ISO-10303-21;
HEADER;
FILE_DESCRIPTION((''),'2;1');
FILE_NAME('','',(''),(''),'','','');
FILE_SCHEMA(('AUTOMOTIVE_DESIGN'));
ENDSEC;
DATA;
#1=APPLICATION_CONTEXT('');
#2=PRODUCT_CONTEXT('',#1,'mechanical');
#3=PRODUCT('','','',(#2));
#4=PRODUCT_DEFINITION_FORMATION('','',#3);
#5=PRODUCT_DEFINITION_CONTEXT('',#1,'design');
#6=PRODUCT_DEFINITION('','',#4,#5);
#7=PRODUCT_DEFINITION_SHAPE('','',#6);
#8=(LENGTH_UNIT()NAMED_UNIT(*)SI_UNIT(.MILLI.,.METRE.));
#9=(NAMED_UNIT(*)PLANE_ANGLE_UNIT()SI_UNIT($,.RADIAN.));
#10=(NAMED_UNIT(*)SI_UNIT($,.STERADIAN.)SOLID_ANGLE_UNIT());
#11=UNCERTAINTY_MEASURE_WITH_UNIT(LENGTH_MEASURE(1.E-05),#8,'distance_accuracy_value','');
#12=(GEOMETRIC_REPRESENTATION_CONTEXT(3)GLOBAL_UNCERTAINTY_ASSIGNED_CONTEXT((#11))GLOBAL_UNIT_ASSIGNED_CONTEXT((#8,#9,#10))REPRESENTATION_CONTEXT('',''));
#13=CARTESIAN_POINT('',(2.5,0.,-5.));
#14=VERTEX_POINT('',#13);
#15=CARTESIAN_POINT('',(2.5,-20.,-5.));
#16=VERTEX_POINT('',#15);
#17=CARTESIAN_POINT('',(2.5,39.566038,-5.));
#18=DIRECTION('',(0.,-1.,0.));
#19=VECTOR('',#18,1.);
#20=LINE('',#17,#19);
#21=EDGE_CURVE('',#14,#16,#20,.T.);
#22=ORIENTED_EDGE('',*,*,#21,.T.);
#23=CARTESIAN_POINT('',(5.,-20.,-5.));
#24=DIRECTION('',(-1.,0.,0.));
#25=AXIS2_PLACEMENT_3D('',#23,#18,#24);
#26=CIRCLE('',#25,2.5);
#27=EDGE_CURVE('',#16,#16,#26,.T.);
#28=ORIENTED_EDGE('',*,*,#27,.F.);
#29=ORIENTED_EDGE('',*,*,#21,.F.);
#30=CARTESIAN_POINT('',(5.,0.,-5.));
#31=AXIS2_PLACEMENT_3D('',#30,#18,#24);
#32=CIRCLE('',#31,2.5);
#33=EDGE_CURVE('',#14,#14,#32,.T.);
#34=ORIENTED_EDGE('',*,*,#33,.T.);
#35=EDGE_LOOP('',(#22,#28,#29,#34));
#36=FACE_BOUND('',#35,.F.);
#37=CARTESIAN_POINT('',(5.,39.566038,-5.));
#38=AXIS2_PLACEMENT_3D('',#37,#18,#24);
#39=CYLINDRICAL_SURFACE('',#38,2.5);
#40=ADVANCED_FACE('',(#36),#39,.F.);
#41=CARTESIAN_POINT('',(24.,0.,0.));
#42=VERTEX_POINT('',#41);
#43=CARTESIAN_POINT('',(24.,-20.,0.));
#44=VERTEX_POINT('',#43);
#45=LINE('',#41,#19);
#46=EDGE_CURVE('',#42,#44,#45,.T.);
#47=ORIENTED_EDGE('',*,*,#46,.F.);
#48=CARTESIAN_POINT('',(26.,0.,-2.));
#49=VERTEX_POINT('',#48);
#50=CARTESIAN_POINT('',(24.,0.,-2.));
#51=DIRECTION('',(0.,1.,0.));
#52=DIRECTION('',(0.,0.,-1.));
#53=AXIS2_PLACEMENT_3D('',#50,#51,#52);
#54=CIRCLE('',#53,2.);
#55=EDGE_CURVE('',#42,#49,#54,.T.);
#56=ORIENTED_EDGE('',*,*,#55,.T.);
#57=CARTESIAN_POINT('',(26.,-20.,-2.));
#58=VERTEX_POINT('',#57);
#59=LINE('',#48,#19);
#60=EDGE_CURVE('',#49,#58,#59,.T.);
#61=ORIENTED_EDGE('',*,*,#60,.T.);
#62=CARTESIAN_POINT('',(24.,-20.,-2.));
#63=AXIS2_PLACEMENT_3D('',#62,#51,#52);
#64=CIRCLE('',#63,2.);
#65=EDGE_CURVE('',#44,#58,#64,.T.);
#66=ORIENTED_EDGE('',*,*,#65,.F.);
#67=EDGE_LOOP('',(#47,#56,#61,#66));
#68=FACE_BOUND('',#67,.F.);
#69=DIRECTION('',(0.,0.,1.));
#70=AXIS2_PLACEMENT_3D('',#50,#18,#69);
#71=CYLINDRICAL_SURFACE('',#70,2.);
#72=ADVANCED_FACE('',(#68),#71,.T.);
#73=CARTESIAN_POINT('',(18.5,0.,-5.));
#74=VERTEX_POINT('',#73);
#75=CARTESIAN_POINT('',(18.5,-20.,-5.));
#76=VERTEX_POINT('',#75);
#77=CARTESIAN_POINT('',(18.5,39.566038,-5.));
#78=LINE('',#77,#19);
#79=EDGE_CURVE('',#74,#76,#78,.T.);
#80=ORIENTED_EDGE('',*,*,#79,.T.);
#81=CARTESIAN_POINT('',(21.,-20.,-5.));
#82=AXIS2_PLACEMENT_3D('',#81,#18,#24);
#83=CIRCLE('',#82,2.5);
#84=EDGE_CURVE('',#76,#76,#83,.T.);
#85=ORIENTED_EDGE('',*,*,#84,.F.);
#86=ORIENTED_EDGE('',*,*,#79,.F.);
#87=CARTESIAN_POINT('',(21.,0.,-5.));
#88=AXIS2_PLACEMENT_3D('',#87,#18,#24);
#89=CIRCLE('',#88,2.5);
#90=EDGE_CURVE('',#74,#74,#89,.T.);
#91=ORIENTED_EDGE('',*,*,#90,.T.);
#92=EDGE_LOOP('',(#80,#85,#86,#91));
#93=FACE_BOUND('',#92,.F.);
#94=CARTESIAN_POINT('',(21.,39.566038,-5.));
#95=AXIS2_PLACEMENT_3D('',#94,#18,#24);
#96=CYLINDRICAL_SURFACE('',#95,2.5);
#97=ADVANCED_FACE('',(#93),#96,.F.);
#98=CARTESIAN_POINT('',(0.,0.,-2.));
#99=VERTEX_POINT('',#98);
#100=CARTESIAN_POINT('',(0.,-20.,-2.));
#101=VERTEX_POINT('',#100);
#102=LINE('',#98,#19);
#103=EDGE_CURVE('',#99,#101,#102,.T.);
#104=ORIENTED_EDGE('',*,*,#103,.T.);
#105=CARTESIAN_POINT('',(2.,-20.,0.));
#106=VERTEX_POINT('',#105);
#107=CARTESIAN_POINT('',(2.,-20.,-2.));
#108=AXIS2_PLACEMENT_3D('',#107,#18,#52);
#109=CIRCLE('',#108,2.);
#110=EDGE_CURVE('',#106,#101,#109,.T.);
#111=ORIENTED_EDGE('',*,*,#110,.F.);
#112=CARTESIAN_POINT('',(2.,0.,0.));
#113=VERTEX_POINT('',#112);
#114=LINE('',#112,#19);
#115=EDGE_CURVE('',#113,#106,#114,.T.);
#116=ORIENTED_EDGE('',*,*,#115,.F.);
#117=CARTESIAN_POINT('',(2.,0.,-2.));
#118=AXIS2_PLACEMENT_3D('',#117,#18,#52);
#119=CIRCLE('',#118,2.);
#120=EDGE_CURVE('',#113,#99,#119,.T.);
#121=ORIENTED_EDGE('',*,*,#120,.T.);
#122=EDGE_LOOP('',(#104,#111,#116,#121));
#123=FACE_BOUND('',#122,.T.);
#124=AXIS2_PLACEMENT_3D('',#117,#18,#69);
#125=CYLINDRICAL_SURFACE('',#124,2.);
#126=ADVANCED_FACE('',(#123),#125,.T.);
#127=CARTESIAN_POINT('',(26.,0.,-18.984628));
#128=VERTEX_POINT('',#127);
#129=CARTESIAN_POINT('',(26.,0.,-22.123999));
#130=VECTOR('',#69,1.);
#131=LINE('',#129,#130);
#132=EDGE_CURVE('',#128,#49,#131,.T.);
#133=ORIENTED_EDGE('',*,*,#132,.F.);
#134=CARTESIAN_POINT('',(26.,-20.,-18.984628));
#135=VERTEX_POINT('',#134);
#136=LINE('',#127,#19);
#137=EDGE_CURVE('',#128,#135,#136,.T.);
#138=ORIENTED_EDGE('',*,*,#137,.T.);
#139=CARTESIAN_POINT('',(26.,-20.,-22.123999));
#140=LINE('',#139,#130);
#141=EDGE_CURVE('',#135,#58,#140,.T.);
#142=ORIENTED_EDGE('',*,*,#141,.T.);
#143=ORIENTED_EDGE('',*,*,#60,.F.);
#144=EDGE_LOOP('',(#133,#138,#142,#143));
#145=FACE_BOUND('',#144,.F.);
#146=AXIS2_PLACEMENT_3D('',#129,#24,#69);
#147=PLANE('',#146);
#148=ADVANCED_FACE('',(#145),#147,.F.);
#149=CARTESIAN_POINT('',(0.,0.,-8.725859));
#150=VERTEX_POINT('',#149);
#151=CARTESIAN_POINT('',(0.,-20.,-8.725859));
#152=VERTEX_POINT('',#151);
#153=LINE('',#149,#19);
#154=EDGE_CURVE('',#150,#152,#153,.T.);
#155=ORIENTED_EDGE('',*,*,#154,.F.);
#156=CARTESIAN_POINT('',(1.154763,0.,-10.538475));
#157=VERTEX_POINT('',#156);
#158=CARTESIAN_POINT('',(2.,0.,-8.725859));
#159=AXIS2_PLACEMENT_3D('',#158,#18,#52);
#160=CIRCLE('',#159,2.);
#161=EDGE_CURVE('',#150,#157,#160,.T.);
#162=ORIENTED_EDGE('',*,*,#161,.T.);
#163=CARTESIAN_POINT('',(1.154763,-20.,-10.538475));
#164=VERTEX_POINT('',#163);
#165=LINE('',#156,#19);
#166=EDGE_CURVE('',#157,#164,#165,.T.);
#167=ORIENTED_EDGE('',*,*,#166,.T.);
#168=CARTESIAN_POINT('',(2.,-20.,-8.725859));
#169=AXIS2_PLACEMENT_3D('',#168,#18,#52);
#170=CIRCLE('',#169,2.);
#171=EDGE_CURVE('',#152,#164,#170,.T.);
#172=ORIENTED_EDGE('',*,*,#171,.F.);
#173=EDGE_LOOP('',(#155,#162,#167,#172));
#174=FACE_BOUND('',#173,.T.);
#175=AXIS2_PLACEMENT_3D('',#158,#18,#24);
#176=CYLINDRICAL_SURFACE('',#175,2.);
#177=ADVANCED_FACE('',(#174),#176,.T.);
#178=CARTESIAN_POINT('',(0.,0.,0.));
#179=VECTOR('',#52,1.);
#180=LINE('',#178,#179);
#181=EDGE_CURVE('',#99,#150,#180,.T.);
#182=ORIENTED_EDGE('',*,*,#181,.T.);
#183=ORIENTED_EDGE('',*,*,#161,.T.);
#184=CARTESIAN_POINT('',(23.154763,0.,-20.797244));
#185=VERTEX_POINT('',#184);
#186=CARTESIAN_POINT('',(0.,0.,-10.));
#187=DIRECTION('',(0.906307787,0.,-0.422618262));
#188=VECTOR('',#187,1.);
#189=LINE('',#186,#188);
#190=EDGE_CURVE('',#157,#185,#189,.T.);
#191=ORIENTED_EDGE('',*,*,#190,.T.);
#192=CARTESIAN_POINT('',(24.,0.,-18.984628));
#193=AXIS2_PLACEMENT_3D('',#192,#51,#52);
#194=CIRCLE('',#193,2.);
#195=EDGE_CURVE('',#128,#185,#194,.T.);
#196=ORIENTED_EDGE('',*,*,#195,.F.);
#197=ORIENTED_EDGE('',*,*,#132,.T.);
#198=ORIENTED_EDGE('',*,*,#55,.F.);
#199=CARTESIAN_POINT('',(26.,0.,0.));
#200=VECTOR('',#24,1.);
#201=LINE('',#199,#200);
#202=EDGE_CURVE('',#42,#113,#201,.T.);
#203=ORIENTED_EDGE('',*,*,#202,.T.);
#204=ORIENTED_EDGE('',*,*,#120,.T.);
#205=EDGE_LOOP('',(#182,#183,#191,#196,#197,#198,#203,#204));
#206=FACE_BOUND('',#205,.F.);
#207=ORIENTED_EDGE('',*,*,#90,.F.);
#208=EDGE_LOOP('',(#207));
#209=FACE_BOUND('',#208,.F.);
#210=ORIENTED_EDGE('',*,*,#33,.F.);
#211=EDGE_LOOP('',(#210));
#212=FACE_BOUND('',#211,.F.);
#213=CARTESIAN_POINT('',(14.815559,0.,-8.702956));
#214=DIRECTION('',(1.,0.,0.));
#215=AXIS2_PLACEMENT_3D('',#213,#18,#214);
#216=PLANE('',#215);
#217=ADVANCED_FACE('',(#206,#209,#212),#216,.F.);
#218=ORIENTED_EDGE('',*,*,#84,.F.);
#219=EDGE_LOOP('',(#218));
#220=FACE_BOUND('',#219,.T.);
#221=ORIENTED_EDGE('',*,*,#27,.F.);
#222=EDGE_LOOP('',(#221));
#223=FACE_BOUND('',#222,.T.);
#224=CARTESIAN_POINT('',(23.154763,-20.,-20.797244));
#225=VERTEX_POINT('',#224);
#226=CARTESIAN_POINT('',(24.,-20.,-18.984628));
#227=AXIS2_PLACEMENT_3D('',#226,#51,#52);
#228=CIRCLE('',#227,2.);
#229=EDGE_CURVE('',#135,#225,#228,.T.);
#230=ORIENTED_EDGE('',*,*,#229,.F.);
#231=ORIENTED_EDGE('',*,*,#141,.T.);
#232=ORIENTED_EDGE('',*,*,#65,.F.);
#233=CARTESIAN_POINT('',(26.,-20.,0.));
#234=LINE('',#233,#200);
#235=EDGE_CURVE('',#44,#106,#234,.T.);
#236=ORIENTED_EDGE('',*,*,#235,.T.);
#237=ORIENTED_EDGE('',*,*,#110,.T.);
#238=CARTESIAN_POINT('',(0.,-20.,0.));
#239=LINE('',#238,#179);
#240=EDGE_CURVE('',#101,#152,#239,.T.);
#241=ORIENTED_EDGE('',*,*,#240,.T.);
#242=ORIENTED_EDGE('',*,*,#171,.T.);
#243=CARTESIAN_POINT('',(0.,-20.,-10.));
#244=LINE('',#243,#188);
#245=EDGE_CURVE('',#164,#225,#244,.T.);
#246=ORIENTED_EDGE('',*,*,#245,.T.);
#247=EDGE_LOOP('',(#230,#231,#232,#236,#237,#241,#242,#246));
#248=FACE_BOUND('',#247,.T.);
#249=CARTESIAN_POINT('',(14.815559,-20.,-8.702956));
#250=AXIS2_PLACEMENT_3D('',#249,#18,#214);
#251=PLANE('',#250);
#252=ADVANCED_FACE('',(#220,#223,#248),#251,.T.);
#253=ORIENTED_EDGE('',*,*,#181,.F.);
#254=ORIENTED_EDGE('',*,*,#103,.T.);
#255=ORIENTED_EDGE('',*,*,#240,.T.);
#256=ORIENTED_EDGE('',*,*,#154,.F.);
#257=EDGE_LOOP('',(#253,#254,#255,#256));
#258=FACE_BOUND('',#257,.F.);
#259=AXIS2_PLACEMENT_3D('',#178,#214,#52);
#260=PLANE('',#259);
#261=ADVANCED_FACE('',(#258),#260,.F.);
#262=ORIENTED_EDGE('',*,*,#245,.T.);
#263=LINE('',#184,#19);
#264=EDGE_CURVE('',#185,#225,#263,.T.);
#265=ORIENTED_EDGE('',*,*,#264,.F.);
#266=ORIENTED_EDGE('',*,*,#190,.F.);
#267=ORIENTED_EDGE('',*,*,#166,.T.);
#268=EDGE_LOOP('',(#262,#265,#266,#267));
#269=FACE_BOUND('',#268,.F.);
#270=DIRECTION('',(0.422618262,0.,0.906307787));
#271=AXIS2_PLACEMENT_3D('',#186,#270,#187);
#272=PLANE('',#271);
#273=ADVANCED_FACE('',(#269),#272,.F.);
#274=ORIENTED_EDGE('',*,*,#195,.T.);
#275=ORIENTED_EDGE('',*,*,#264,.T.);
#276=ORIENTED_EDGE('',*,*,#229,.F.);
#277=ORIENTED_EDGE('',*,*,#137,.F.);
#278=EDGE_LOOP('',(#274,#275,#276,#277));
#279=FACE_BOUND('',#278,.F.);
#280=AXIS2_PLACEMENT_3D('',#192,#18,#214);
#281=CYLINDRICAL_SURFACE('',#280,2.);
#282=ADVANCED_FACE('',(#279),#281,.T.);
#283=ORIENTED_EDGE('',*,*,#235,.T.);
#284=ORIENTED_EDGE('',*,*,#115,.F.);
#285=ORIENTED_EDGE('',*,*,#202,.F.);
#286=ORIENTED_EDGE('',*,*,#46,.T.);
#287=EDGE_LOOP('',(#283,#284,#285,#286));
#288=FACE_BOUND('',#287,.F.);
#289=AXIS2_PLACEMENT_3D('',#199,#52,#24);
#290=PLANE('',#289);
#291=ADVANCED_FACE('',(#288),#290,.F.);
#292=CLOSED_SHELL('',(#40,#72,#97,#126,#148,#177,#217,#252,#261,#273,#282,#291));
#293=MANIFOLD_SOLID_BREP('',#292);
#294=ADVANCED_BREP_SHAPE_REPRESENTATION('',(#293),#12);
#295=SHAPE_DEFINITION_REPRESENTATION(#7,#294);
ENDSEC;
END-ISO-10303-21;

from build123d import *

# Parameters (mm, degrees)
F1_DEPTH = 20
F2_D     = 5
F3_R     = 2


with BuildPart() as f1:
    # F0 (on Front) → F1 (new body)
    with BuildSketch(Plane.XZ):
        Polygon((26, 0), (0, 0), (0, -10), (26, -22.123999112), align=None)
    extrude(amount=F1_DEPTH)

    # F2 (through all)
    with Locations(Plane(origin=(0, 0, 0), x_dir=(1, 0, 0), z_dir=(0, 1, 0))):
        with Locations((5, 5), (21, 5)):
            Hole(F2_D / 2)

    # F3
    f3_edges = [f1.edges().sort_by_distance(p)[0] for p in [
        (26, -10, -22.123999),
        (0, -10, -10),
        (0, -10, 0),
        (26, -10, 0),
    ]]
    fillet(f3_edges, radius=F3_R)


solid = f1.part
